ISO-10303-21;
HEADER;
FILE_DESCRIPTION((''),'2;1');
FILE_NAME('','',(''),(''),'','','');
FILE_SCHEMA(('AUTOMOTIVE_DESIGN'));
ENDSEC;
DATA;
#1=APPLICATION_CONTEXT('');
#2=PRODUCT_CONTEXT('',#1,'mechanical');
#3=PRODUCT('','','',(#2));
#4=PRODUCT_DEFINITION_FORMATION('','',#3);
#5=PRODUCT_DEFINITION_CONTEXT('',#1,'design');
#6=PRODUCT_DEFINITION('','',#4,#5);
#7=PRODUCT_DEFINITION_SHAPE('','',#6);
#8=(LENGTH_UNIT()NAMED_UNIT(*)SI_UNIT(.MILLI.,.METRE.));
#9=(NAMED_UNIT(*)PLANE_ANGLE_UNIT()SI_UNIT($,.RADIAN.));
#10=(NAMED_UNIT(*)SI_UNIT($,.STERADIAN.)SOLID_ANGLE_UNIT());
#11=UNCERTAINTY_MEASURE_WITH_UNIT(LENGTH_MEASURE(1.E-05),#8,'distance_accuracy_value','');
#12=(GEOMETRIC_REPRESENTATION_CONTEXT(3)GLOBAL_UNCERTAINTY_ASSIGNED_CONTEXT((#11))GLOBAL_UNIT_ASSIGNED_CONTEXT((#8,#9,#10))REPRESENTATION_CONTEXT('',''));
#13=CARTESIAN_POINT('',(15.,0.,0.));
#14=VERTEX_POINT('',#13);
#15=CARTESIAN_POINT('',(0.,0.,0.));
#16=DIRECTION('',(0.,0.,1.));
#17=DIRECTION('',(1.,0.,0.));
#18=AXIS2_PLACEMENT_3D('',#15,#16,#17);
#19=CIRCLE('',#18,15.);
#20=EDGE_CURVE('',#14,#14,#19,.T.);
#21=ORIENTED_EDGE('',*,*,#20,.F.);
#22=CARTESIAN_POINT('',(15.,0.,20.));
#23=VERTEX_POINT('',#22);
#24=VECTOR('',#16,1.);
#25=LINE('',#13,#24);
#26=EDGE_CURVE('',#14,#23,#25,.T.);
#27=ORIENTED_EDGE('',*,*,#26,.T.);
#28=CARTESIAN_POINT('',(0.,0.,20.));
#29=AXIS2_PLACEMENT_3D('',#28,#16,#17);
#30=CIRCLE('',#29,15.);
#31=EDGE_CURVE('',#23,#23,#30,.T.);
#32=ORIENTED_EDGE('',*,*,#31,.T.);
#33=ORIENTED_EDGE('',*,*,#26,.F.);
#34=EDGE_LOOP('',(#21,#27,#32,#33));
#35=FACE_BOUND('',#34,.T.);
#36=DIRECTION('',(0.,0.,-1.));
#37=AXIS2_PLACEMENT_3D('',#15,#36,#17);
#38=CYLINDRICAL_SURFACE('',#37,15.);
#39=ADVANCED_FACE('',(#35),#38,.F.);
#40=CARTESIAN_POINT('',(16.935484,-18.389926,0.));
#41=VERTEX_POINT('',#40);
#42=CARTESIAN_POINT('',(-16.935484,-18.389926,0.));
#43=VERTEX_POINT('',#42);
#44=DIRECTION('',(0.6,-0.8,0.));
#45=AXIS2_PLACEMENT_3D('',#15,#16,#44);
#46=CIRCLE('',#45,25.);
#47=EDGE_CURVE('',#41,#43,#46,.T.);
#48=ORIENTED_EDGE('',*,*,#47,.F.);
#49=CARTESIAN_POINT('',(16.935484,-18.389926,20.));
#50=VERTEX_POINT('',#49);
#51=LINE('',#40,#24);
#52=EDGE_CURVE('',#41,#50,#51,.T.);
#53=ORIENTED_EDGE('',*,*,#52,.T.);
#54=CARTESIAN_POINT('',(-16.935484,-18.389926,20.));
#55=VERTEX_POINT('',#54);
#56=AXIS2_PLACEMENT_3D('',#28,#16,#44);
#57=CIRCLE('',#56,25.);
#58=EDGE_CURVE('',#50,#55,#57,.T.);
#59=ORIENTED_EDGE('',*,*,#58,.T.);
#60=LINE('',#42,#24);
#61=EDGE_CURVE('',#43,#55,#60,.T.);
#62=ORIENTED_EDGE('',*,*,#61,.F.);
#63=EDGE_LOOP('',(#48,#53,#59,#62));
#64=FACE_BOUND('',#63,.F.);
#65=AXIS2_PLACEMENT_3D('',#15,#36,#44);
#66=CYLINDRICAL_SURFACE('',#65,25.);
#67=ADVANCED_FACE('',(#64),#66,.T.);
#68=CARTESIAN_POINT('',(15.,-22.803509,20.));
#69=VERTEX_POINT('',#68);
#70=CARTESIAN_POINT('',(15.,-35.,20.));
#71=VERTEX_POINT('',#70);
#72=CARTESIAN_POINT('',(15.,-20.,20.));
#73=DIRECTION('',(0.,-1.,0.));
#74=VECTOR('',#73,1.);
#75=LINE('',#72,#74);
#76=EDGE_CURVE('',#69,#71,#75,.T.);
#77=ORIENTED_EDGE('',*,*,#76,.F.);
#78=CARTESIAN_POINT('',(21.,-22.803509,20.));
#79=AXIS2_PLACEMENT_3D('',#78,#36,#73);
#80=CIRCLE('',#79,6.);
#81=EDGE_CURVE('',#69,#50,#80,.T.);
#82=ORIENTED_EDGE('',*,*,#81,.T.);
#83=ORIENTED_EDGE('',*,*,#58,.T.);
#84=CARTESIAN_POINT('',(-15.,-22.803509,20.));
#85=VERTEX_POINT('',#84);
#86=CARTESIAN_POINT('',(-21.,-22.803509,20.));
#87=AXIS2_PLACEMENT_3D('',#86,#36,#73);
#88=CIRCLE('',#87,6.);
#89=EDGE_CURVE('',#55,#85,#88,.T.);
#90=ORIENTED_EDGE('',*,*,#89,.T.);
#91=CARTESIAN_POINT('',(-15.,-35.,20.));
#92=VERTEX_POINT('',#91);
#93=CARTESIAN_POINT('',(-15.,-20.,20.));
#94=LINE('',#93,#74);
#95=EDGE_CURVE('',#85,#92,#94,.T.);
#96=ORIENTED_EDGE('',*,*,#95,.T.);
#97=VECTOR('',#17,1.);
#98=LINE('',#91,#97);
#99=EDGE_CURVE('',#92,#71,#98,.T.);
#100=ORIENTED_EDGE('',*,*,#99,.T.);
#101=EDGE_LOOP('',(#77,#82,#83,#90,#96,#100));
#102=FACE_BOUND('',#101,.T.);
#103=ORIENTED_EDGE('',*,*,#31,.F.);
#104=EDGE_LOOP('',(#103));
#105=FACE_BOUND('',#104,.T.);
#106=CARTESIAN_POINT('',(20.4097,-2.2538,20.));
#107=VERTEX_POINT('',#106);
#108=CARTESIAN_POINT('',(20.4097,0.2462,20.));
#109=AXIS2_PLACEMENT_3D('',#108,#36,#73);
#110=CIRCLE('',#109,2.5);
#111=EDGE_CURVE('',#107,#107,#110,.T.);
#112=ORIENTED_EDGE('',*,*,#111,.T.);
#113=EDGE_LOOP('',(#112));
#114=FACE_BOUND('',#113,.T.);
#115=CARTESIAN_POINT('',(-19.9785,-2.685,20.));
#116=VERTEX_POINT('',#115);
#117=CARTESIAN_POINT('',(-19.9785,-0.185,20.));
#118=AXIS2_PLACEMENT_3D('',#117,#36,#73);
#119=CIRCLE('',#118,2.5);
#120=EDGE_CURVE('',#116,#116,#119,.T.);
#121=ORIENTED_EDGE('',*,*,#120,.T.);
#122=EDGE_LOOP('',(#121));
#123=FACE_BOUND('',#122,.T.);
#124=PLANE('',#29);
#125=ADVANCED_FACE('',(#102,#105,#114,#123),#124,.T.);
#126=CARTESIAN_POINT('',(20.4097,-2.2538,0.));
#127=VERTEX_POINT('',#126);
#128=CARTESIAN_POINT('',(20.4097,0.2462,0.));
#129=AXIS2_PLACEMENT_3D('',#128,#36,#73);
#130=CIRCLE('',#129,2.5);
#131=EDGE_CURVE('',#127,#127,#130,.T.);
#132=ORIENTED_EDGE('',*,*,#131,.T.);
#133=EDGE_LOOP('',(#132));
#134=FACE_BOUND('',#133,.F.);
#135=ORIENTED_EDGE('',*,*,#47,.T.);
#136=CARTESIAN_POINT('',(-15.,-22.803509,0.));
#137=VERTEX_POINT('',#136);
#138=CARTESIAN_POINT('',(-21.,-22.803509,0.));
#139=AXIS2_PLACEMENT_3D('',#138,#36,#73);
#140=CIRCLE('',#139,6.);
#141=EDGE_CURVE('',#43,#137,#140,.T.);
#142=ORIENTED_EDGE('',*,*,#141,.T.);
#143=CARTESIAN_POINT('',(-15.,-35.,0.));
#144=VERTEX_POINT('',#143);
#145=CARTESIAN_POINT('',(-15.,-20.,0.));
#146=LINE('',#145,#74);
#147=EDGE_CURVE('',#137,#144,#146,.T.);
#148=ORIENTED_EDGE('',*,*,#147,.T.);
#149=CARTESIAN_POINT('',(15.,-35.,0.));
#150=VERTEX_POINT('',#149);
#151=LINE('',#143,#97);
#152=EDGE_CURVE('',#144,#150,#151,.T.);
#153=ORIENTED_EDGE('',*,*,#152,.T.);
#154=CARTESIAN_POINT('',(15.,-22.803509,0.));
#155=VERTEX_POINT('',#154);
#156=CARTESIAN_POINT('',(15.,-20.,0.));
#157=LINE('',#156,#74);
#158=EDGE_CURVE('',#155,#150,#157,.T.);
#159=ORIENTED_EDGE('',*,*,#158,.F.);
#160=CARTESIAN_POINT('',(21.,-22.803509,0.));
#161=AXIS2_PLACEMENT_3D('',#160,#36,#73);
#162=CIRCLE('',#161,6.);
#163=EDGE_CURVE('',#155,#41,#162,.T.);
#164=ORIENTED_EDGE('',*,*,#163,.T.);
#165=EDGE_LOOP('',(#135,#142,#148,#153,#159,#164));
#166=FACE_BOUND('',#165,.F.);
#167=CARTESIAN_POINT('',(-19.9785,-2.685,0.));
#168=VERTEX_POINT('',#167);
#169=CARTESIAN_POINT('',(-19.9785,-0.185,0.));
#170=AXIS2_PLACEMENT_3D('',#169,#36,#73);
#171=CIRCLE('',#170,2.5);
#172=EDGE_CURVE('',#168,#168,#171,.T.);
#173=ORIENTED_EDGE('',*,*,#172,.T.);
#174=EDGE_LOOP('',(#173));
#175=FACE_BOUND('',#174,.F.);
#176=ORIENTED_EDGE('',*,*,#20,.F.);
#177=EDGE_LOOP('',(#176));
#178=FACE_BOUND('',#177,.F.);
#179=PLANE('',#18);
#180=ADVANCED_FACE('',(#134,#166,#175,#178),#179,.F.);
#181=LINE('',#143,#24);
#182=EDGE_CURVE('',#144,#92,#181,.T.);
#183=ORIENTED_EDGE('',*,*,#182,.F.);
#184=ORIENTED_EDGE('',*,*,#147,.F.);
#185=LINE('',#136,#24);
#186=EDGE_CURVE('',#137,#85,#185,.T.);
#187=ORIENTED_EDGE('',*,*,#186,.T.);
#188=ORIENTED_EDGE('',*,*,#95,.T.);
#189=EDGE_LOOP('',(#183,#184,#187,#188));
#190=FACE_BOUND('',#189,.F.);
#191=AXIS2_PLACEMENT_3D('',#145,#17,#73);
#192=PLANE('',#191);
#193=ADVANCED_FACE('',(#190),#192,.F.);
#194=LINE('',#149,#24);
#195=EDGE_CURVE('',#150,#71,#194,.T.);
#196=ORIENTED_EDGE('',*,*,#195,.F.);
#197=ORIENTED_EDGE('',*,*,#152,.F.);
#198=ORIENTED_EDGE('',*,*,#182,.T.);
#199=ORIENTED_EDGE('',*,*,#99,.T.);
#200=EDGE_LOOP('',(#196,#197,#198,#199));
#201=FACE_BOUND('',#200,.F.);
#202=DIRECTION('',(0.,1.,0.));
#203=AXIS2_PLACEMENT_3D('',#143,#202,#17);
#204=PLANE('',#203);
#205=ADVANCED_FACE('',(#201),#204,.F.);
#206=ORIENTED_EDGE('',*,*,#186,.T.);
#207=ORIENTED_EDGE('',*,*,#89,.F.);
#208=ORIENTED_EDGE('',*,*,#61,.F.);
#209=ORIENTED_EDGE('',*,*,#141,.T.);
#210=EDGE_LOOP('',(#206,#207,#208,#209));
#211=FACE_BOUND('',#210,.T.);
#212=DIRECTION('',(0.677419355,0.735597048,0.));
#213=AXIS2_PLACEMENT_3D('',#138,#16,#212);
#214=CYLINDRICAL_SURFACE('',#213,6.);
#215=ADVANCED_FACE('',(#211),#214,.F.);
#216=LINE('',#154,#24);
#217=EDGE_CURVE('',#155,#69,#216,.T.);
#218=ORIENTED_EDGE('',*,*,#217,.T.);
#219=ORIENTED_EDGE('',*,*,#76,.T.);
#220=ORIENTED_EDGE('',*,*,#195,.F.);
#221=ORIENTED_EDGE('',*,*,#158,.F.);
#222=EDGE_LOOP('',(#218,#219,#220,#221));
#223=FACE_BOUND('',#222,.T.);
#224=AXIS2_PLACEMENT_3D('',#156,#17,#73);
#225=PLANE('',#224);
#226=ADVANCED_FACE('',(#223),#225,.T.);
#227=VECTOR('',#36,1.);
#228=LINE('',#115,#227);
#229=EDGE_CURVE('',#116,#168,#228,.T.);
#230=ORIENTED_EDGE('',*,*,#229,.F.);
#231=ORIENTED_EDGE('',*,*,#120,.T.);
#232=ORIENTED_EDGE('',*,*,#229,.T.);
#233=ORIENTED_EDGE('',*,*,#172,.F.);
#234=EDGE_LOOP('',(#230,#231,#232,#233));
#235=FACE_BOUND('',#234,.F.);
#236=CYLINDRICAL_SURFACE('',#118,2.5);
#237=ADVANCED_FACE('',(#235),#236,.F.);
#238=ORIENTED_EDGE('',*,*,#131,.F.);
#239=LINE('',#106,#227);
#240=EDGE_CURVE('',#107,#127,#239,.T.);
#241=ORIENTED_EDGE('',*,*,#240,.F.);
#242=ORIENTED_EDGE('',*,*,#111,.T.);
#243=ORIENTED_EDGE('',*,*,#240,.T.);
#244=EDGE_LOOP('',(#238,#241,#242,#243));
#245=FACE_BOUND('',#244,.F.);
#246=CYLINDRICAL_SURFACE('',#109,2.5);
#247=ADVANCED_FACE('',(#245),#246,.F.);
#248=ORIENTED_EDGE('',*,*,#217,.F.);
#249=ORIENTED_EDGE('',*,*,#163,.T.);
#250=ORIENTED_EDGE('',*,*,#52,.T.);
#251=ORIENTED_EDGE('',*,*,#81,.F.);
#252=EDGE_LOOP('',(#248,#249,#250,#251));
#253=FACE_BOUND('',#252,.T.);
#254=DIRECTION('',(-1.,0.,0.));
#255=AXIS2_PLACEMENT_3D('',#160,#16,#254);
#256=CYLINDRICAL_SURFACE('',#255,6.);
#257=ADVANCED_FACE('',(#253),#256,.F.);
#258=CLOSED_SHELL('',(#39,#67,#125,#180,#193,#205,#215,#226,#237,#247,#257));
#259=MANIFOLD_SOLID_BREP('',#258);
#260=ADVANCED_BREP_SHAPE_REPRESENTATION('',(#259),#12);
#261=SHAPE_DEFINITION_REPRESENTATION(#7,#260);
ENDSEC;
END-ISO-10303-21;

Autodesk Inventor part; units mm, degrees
ref_plane "YZ Plane" through (0, 0, 0) normal (1, 0, 0) x (0, 1, 0)
ref_plane "XZ Plane" through (0, 0, 0) normal (0, 1, 0) x (-1, 0, 0)
ref_plane "XY Plane" through (0, 0, 0) normal (0, 0, 1) x (1, 0, 0)
sketch "Sketch1" plane through (0, 0, 0) normal (0, 0, 1) x (1, 0, 0)
  circle A0 centre (0, 0) radius 15
  arc A1 (15, -20) -> (-15, -20) centre (0, 0) ccw
  line L0 (-15, -20) -> (-15, -35)
  line L1 (-15, -35) -> (15, -35)
  line L2 (15, -20) -> (15, -35)
  dimension "d0" = 30
  dimension "d1" = 50
  dimension "d2" = 15
extrude "Extrusion1" add sketch "Sketch1" along normal blind 20
sketch "Sketch2" plane through (0, 0, 20) normal (0, 0, 1) x (1, 0, 0)
  point P0 (0, 0)
  point P1 (-19.9785, -0.185)
  point P2 (20.4097, 0.2462)
hole "Hole1" at (0, 0, 20) at (-19.9785, -0.185, 20) at (20.4097, 0.2462, 20) direction (0, 0, -1) diameter 5 end through all
fillet "Fillet1" radius 6 2 edges at (15, -20, 10) (-15, -20, 10)
properties part number "TPS base"
